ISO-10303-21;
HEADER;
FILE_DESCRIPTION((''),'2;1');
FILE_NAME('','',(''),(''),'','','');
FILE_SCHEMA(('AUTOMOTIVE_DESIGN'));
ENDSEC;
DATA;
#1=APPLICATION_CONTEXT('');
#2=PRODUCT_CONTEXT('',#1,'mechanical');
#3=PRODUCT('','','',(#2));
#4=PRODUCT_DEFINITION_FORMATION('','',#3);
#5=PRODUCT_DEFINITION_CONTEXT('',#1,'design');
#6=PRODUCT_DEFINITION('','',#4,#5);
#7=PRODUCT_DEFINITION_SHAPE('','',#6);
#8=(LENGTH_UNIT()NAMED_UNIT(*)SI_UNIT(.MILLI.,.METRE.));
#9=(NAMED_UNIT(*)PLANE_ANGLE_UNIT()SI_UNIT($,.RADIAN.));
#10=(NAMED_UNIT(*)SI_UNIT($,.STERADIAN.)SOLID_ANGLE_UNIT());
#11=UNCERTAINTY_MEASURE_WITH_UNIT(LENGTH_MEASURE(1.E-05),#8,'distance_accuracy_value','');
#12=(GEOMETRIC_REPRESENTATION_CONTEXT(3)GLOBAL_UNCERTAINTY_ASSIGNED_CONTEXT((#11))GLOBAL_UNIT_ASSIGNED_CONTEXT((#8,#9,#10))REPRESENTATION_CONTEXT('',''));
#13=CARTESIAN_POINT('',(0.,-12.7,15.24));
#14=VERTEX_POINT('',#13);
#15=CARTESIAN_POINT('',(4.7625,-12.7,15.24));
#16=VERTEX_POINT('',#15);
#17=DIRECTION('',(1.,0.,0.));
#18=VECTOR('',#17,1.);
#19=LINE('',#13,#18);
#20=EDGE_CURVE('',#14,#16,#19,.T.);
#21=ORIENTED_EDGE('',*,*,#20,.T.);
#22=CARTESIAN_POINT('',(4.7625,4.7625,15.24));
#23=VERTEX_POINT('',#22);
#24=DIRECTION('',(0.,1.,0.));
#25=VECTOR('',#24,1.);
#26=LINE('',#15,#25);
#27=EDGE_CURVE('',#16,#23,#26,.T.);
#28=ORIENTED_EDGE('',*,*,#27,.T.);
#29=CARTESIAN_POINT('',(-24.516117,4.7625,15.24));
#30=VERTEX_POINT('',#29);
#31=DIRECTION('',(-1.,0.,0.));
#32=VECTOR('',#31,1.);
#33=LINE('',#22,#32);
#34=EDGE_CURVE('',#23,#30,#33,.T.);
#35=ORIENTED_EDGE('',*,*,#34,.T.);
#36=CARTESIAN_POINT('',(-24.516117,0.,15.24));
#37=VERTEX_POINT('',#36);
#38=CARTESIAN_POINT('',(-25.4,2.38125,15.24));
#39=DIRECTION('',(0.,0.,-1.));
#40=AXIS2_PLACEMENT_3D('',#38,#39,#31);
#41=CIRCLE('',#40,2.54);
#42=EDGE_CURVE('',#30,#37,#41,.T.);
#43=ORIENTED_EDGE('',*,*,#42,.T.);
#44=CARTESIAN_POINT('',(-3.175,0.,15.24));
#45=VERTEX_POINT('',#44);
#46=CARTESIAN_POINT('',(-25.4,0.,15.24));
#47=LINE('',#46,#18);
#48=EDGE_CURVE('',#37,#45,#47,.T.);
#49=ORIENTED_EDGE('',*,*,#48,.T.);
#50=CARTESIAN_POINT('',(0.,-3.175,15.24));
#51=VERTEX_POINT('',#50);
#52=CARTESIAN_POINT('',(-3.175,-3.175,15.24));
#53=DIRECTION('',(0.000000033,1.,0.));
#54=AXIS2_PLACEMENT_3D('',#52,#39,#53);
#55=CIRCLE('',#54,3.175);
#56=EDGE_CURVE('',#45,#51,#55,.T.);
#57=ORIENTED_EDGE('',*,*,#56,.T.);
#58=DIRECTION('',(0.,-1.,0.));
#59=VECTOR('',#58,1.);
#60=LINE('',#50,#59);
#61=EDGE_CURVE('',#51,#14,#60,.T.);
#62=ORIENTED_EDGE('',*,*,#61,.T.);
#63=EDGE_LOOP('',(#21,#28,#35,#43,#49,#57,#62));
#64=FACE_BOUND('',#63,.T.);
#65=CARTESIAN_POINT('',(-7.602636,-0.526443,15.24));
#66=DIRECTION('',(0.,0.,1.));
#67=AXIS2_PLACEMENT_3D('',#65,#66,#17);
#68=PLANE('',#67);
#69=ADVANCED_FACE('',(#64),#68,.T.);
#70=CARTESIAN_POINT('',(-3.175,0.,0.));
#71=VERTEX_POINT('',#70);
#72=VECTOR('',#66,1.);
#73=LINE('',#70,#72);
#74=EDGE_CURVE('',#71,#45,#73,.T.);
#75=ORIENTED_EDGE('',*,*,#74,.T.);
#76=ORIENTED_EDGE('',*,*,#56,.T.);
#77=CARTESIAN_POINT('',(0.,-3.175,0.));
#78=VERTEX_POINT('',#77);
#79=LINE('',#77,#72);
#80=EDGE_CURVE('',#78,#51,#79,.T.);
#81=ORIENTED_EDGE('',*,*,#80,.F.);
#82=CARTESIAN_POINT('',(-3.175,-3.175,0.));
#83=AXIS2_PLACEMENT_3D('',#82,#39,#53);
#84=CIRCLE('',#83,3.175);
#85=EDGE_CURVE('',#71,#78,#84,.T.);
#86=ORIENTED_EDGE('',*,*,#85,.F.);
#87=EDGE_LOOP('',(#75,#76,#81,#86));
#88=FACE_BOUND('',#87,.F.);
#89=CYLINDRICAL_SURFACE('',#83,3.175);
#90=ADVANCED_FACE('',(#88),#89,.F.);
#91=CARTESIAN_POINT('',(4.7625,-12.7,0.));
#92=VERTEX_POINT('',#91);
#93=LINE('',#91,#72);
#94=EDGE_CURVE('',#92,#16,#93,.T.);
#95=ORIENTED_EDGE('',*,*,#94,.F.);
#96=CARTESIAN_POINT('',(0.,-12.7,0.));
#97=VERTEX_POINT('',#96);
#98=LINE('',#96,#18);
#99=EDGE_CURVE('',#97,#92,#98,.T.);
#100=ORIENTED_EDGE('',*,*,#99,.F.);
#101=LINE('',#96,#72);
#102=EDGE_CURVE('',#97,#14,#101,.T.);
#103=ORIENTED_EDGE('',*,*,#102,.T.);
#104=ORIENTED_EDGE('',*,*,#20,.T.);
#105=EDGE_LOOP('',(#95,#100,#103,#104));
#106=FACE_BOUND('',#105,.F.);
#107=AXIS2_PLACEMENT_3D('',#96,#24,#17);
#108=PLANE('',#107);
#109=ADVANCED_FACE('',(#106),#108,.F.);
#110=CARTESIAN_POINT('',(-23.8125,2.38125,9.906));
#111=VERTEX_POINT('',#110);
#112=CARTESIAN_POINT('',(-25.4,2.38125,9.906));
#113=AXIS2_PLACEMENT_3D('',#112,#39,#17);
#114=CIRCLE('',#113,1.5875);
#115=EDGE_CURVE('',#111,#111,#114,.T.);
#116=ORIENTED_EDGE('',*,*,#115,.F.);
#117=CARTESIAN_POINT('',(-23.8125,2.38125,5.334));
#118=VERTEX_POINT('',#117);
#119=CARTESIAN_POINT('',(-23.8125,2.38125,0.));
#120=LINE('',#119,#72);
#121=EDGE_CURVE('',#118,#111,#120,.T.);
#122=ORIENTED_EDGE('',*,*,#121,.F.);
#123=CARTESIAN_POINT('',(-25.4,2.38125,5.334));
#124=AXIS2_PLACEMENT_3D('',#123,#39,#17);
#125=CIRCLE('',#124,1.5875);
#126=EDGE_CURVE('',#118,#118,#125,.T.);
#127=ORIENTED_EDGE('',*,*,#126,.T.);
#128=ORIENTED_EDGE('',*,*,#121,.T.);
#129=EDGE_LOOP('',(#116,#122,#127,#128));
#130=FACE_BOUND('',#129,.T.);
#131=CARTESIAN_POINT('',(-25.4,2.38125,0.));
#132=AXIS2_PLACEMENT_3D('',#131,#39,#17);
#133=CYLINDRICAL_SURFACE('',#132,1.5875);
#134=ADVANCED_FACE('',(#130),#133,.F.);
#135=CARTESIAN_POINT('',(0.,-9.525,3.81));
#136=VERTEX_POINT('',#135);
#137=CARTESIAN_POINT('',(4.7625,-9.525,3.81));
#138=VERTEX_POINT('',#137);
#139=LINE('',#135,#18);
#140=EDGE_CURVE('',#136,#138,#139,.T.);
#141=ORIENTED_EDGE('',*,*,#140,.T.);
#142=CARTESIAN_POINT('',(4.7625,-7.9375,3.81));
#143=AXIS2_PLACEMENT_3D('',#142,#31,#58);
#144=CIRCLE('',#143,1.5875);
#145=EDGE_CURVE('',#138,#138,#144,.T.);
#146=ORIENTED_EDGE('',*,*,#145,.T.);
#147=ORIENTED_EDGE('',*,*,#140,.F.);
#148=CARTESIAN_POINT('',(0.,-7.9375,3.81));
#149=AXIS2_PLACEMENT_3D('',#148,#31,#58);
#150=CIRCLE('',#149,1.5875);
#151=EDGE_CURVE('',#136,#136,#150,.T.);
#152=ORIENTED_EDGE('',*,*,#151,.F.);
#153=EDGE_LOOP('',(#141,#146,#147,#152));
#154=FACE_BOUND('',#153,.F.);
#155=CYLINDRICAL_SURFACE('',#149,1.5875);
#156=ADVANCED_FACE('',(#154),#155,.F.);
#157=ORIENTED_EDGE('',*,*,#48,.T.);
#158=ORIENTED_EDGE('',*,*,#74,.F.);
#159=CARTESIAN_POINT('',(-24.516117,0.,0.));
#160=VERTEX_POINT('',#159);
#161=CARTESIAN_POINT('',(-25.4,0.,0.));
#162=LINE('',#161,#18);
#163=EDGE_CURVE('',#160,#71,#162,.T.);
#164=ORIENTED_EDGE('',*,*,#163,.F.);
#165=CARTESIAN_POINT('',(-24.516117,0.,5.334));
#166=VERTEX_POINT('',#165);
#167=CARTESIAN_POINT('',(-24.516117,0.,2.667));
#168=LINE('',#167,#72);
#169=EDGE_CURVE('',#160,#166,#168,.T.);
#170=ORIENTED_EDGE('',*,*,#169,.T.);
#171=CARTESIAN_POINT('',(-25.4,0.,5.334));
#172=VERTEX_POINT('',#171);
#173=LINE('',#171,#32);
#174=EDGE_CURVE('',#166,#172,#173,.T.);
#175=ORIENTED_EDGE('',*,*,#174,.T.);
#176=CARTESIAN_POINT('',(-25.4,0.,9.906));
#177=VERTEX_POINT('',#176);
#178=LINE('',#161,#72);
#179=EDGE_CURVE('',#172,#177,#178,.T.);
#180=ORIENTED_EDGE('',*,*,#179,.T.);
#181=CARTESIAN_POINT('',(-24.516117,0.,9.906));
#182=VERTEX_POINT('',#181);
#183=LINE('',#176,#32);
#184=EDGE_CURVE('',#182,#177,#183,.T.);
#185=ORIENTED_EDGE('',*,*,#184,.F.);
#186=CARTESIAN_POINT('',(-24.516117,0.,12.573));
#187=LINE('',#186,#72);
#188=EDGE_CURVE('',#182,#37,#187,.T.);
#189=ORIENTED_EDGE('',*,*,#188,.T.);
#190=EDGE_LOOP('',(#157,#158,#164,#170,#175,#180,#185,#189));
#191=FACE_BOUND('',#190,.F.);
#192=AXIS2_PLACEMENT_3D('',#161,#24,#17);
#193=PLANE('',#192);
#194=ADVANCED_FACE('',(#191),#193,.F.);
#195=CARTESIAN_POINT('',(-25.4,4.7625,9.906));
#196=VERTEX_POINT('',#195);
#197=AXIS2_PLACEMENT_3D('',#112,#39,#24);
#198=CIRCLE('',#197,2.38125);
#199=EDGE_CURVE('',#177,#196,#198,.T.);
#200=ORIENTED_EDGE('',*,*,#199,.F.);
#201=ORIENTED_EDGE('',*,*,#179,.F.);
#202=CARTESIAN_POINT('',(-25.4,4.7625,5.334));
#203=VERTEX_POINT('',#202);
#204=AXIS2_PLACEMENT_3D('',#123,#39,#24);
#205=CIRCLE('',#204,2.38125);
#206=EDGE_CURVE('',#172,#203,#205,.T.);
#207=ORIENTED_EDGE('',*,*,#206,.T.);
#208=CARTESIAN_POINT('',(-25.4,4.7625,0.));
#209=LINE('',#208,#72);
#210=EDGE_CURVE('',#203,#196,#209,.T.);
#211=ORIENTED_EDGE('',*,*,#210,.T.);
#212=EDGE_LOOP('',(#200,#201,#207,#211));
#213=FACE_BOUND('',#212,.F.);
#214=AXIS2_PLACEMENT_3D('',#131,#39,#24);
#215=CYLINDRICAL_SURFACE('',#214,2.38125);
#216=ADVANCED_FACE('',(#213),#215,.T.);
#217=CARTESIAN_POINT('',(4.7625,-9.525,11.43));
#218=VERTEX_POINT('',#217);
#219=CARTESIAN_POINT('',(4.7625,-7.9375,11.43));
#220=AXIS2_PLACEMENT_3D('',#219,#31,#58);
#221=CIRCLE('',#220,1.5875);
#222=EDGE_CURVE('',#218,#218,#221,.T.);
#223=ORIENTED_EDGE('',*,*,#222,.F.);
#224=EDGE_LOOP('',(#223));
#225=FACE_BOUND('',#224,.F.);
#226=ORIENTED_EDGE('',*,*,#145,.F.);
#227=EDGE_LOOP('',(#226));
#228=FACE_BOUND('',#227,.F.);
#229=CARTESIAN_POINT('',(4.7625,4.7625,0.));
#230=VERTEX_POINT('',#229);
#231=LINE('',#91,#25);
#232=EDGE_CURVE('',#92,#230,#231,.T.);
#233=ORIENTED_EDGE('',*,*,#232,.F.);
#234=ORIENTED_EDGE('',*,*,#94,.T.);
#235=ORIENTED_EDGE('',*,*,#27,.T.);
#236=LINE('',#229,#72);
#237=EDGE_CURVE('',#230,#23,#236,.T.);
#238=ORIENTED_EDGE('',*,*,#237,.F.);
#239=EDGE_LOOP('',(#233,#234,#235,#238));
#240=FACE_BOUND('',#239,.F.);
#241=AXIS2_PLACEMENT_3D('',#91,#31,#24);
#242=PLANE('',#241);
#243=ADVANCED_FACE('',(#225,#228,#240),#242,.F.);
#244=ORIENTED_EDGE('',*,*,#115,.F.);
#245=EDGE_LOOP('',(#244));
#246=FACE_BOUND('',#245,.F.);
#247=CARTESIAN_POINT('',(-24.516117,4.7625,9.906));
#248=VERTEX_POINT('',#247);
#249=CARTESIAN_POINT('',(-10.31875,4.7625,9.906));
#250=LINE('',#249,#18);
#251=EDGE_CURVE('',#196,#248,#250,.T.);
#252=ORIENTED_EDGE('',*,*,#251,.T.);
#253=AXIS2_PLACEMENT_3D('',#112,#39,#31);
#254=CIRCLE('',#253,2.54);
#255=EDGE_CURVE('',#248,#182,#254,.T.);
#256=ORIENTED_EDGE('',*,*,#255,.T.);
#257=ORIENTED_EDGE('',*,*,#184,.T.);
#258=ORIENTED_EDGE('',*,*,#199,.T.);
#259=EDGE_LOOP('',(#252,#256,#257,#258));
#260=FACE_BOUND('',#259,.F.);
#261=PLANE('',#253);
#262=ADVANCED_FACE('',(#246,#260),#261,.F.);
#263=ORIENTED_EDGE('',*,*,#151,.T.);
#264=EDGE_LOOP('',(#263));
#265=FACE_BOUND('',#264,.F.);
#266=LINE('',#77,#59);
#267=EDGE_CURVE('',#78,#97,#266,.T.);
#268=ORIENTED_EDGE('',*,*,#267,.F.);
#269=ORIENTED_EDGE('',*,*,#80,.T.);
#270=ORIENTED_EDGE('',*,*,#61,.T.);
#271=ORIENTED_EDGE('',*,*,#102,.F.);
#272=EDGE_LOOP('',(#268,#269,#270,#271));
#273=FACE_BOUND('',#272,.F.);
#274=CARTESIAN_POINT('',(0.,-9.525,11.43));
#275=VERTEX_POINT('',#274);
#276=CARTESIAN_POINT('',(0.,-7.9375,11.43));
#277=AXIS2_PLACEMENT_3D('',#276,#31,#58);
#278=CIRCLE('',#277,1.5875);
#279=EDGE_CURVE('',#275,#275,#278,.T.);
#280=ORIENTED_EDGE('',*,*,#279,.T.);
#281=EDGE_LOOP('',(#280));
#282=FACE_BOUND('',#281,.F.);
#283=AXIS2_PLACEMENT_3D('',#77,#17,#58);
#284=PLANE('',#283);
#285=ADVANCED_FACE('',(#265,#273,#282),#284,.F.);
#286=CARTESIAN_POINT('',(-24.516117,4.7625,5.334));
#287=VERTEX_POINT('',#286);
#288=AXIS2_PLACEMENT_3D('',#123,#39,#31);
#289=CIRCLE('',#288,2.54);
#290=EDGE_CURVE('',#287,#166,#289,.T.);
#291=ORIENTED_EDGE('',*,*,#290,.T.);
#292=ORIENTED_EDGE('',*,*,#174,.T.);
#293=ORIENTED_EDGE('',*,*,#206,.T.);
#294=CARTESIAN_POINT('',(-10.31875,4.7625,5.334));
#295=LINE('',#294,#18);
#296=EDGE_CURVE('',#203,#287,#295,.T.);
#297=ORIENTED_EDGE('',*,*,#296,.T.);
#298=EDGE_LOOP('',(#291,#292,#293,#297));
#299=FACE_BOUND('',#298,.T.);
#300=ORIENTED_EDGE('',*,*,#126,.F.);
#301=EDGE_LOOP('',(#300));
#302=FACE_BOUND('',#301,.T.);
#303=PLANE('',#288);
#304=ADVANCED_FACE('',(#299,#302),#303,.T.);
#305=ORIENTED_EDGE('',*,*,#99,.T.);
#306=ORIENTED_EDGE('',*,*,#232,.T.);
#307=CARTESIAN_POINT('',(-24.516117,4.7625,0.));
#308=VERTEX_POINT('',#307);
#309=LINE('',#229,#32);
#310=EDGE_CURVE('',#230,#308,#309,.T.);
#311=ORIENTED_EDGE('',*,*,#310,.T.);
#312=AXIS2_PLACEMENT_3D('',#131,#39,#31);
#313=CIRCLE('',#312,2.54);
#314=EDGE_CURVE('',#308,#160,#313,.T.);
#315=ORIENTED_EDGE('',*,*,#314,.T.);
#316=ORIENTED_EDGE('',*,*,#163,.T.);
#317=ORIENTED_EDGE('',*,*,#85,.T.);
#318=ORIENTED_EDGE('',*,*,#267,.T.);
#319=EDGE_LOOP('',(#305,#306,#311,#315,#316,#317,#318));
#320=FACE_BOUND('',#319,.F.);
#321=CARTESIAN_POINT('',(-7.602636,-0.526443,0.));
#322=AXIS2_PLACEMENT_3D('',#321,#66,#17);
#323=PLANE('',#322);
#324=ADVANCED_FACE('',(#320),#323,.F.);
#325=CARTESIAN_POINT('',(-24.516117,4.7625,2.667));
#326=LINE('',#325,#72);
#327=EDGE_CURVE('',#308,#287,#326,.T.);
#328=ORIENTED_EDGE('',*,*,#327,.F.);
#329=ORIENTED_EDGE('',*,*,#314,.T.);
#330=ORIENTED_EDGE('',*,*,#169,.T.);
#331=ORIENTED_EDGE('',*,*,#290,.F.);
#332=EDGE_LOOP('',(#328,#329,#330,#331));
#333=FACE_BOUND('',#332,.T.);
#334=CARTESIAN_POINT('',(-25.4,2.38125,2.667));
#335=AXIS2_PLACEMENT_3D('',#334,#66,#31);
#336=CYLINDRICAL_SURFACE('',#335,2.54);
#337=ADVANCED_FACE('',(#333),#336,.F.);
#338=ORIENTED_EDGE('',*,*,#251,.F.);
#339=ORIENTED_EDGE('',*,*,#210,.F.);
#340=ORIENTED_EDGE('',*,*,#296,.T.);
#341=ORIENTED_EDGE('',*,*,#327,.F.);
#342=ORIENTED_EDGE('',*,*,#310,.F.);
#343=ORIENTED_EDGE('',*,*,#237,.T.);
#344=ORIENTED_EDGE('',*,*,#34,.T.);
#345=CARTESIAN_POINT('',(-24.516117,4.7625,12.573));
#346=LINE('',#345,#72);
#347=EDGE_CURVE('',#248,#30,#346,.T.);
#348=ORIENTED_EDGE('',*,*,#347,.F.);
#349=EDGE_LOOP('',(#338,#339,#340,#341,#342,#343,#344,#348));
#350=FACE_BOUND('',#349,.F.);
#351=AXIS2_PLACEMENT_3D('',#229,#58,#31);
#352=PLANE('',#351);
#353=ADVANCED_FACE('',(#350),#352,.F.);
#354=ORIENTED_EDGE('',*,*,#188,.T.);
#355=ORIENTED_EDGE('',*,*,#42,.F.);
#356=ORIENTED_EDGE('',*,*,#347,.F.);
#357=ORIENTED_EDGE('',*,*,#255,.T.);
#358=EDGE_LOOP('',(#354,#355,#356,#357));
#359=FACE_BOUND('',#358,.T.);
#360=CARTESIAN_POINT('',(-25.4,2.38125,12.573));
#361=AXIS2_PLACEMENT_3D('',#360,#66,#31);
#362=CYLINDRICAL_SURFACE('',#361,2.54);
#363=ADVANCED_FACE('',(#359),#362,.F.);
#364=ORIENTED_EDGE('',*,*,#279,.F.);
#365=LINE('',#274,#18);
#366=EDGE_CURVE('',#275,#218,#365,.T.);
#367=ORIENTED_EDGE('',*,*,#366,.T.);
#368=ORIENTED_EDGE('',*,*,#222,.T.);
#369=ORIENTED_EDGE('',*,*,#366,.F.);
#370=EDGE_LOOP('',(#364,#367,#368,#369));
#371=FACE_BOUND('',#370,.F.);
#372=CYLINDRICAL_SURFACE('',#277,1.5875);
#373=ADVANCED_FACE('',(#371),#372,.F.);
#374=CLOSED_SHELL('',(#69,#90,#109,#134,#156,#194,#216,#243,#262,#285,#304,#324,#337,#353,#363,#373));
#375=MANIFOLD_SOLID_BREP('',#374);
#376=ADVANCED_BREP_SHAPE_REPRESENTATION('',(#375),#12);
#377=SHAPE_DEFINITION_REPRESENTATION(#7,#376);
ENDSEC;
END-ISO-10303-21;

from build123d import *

# Parameters (mm, degrees)
F0_R     = 1.5875
F1_DEPTH = 15.24
F3_W     = 2.54
F3_H     = 5.334
F5_R     = 1.5875
F6_DEPTH = 4.7635


with BuildPart() as f1:
    # F0 (on Top) → F1 (new body)
    with BuildSketch(Plane.XY):
        with BuildLine():
            ThreePointArc((-3.175, 0), (-0.929936, -0.929936), (0, -3.175))
            Line((0, -3.175), (0, -12.7))
            Line((0, -12.7), (4.7625, -12.7))
            Line((4.7625, -12.7), (4.7625, 4.7625))
            Line((4.7625, 4.7625), (-25.4, 4.7625))
            ThreePointArc((-25.4, 4.7625), (-27.78125, 2.38125), (-25.4, 0))
            Line((-25.4, 0), (-3.175, 0))
        make_face()
        with Locations((-25.4, 2.38125)):
            Circle(F0_R, mode=Mode.SUBTRACT)
    extrude(amount=F1_DEPTH)

    # F3 (on offset) → F4 (revolve, cut)
    with BuildSketch(Plane.XZ.offset(-2.38125)):
        with Locations((-26.67, 12.573)):
            Rectangle(F3_W, F3_H)
        with Locations((-26.67, 2.667)):
            Rectangle(F3_W, F3_H)
    revolve(axis=Axis((-25.4, 2.38125, 12.573), (0, 0, -1)), mode=Mode.SUBTRACT)

    # F5 (on face) → F6 (cut, through all)
    with BuildSketch(Plane(origin=(0, 0, 0), x_dir=(0, -1, 0), z_dir=(-1, 0, 0))):
        with Locations((7.9375, 11.43)):
            Circle(F5_R)
        with Locations((7.9375, 3.81)):
            Circle(F5_R)
    extrude(amount=-F6_DEPTH, mode=Mode.SUBTRACT)


solid = f1.part
